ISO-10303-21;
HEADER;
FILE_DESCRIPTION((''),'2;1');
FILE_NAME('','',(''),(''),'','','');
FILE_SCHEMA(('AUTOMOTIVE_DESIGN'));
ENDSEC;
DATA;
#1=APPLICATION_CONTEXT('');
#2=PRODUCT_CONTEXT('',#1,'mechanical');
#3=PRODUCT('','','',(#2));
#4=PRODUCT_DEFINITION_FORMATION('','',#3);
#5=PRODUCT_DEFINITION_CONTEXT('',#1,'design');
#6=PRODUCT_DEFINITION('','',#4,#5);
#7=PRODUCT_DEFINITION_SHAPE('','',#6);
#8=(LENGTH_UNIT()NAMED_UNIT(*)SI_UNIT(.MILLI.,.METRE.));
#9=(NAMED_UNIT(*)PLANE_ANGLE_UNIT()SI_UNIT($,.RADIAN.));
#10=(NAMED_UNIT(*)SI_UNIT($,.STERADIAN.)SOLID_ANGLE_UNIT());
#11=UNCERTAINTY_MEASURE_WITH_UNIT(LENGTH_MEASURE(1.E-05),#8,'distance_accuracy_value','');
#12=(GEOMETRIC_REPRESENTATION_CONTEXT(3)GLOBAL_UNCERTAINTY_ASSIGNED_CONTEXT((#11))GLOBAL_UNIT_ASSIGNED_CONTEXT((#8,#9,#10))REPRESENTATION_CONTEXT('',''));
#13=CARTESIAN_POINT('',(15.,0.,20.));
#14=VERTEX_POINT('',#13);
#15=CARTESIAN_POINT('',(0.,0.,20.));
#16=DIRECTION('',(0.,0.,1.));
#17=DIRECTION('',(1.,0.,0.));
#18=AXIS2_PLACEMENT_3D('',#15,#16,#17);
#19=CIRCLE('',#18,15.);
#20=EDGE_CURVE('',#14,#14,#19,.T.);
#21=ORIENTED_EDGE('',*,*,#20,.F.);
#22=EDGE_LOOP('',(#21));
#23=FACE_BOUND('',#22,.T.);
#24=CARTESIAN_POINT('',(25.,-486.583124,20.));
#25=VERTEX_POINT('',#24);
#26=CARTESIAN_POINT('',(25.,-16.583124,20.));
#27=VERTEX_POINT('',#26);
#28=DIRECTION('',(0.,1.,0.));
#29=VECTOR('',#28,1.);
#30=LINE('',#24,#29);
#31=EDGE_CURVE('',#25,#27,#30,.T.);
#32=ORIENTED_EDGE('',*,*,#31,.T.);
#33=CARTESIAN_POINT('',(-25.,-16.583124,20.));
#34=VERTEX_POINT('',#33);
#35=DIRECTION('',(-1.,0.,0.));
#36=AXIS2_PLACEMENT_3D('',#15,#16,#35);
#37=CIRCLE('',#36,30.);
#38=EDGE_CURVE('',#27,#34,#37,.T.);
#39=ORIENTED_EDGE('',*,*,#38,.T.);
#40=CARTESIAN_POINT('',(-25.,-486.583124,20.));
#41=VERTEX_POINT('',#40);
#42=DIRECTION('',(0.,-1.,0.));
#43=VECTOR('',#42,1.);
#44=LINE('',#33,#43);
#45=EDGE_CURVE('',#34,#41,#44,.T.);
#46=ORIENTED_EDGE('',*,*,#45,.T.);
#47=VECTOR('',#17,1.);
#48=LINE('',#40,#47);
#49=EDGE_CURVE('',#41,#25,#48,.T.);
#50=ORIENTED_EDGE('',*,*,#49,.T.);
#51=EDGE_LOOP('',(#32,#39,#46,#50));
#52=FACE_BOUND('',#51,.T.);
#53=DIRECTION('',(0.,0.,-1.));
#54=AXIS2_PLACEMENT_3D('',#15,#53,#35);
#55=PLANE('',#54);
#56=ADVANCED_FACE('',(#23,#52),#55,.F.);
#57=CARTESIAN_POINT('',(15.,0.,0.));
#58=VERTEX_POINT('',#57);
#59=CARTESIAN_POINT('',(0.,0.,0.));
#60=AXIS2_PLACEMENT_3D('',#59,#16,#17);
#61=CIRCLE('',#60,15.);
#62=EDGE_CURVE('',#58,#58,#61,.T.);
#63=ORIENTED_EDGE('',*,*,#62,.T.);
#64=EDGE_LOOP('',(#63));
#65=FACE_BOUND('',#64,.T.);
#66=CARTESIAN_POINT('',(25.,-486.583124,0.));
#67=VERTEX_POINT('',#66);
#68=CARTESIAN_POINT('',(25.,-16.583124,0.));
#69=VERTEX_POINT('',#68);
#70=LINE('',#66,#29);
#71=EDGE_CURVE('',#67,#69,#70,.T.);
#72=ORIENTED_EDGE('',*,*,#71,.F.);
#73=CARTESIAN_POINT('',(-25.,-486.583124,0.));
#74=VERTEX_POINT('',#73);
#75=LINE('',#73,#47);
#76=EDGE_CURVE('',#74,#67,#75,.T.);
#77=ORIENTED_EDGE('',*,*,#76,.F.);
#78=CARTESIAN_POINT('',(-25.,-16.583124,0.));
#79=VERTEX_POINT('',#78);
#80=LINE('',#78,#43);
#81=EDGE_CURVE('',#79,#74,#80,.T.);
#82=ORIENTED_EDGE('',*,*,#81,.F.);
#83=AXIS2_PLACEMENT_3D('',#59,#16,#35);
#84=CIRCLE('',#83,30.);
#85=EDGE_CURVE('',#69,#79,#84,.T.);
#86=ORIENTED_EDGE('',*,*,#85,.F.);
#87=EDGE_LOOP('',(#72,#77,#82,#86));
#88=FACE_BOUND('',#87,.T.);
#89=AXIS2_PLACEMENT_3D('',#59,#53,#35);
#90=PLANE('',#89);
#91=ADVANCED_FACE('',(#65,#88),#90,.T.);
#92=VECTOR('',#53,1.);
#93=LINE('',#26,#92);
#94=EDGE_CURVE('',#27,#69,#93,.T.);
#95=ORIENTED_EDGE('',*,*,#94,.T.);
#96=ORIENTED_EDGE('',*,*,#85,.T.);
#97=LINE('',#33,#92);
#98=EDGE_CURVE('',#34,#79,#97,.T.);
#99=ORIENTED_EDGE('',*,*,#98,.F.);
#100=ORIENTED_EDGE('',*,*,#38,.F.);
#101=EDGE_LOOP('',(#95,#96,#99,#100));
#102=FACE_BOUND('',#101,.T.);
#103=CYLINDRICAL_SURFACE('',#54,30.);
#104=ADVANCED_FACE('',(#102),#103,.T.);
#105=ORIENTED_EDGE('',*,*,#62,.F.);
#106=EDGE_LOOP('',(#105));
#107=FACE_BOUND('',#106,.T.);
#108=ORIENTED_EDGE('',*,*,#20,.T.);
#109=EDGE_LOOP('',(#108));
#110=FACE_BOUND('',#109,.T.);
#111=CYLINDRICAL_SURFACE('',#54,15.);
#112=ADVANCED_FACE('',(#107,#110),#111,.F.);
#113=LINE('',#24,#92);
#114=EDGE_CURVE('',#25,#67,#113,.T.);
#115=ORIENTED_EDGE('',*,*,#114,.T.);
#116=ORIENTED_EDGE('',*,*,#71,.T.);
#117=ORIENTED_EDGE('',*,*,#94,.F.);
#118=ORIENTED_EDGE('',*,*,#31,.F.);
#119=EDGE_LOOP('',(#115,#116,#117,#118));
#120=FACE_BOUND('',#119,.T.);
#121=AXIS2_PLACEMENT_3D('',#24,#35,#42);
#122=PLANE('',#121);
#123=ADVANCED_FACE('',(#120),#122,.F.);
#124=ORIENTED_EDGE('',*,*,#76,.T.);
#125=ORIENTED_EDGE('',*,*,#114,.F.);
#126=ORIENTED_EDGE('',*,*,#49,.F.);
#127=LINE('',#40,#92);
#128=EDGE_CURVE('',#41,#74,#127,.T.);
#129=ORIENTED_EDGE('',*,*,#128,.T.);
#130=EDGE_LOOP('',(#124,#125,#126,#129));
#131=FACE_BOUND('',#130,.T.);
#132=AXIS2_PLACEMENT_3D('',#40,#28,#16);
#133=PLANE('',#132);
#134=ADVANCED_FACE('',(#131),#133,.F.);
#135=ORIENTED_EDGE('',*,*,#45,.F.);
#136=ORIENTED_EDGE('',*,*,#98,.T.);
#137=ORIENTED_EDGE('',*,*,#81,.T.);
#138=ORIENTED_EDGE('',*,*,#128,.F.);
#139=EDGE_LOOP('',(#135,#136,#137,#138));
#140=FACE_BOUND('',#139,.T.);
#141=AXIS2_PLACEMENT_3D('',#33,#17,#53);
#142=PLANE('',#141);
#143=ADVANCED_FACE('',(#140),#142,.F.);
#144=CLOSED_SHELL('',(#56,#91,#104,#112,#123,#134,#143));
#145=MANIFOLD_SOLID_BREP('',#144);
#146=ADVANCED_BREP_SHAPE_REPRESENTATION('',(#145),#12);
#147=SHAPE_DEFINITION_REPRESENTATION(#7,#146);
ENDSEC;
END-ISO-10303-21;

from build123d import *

# Parameters (mm, degrees)
SKETCH3_R           = 15
BOSS_EXTRUDE1_DEPTH = 20


with BuildPart() as part:
    # Sketch3 → Boss-Extrude1 (new body)
    with BuildSketch(Plane.XY):
        with BuildLine():
            Line((-25, -16.583123952), (-25, -486.583123952))
            Line((-25, -486.583123952), (25, -486.583123952))
            Line((25, -486.583123952), (25, -16.583123952))
            ThreePointArc((25, -16.583123952), (0, 30), (-25, -16.583123952))
        make_face()
        Circle(SKETCH3_R, mode=Mode.SUBTRACT)
    extrude(amount=BOSS_EXTRUDE1_DEPTH)


solid = part.part
